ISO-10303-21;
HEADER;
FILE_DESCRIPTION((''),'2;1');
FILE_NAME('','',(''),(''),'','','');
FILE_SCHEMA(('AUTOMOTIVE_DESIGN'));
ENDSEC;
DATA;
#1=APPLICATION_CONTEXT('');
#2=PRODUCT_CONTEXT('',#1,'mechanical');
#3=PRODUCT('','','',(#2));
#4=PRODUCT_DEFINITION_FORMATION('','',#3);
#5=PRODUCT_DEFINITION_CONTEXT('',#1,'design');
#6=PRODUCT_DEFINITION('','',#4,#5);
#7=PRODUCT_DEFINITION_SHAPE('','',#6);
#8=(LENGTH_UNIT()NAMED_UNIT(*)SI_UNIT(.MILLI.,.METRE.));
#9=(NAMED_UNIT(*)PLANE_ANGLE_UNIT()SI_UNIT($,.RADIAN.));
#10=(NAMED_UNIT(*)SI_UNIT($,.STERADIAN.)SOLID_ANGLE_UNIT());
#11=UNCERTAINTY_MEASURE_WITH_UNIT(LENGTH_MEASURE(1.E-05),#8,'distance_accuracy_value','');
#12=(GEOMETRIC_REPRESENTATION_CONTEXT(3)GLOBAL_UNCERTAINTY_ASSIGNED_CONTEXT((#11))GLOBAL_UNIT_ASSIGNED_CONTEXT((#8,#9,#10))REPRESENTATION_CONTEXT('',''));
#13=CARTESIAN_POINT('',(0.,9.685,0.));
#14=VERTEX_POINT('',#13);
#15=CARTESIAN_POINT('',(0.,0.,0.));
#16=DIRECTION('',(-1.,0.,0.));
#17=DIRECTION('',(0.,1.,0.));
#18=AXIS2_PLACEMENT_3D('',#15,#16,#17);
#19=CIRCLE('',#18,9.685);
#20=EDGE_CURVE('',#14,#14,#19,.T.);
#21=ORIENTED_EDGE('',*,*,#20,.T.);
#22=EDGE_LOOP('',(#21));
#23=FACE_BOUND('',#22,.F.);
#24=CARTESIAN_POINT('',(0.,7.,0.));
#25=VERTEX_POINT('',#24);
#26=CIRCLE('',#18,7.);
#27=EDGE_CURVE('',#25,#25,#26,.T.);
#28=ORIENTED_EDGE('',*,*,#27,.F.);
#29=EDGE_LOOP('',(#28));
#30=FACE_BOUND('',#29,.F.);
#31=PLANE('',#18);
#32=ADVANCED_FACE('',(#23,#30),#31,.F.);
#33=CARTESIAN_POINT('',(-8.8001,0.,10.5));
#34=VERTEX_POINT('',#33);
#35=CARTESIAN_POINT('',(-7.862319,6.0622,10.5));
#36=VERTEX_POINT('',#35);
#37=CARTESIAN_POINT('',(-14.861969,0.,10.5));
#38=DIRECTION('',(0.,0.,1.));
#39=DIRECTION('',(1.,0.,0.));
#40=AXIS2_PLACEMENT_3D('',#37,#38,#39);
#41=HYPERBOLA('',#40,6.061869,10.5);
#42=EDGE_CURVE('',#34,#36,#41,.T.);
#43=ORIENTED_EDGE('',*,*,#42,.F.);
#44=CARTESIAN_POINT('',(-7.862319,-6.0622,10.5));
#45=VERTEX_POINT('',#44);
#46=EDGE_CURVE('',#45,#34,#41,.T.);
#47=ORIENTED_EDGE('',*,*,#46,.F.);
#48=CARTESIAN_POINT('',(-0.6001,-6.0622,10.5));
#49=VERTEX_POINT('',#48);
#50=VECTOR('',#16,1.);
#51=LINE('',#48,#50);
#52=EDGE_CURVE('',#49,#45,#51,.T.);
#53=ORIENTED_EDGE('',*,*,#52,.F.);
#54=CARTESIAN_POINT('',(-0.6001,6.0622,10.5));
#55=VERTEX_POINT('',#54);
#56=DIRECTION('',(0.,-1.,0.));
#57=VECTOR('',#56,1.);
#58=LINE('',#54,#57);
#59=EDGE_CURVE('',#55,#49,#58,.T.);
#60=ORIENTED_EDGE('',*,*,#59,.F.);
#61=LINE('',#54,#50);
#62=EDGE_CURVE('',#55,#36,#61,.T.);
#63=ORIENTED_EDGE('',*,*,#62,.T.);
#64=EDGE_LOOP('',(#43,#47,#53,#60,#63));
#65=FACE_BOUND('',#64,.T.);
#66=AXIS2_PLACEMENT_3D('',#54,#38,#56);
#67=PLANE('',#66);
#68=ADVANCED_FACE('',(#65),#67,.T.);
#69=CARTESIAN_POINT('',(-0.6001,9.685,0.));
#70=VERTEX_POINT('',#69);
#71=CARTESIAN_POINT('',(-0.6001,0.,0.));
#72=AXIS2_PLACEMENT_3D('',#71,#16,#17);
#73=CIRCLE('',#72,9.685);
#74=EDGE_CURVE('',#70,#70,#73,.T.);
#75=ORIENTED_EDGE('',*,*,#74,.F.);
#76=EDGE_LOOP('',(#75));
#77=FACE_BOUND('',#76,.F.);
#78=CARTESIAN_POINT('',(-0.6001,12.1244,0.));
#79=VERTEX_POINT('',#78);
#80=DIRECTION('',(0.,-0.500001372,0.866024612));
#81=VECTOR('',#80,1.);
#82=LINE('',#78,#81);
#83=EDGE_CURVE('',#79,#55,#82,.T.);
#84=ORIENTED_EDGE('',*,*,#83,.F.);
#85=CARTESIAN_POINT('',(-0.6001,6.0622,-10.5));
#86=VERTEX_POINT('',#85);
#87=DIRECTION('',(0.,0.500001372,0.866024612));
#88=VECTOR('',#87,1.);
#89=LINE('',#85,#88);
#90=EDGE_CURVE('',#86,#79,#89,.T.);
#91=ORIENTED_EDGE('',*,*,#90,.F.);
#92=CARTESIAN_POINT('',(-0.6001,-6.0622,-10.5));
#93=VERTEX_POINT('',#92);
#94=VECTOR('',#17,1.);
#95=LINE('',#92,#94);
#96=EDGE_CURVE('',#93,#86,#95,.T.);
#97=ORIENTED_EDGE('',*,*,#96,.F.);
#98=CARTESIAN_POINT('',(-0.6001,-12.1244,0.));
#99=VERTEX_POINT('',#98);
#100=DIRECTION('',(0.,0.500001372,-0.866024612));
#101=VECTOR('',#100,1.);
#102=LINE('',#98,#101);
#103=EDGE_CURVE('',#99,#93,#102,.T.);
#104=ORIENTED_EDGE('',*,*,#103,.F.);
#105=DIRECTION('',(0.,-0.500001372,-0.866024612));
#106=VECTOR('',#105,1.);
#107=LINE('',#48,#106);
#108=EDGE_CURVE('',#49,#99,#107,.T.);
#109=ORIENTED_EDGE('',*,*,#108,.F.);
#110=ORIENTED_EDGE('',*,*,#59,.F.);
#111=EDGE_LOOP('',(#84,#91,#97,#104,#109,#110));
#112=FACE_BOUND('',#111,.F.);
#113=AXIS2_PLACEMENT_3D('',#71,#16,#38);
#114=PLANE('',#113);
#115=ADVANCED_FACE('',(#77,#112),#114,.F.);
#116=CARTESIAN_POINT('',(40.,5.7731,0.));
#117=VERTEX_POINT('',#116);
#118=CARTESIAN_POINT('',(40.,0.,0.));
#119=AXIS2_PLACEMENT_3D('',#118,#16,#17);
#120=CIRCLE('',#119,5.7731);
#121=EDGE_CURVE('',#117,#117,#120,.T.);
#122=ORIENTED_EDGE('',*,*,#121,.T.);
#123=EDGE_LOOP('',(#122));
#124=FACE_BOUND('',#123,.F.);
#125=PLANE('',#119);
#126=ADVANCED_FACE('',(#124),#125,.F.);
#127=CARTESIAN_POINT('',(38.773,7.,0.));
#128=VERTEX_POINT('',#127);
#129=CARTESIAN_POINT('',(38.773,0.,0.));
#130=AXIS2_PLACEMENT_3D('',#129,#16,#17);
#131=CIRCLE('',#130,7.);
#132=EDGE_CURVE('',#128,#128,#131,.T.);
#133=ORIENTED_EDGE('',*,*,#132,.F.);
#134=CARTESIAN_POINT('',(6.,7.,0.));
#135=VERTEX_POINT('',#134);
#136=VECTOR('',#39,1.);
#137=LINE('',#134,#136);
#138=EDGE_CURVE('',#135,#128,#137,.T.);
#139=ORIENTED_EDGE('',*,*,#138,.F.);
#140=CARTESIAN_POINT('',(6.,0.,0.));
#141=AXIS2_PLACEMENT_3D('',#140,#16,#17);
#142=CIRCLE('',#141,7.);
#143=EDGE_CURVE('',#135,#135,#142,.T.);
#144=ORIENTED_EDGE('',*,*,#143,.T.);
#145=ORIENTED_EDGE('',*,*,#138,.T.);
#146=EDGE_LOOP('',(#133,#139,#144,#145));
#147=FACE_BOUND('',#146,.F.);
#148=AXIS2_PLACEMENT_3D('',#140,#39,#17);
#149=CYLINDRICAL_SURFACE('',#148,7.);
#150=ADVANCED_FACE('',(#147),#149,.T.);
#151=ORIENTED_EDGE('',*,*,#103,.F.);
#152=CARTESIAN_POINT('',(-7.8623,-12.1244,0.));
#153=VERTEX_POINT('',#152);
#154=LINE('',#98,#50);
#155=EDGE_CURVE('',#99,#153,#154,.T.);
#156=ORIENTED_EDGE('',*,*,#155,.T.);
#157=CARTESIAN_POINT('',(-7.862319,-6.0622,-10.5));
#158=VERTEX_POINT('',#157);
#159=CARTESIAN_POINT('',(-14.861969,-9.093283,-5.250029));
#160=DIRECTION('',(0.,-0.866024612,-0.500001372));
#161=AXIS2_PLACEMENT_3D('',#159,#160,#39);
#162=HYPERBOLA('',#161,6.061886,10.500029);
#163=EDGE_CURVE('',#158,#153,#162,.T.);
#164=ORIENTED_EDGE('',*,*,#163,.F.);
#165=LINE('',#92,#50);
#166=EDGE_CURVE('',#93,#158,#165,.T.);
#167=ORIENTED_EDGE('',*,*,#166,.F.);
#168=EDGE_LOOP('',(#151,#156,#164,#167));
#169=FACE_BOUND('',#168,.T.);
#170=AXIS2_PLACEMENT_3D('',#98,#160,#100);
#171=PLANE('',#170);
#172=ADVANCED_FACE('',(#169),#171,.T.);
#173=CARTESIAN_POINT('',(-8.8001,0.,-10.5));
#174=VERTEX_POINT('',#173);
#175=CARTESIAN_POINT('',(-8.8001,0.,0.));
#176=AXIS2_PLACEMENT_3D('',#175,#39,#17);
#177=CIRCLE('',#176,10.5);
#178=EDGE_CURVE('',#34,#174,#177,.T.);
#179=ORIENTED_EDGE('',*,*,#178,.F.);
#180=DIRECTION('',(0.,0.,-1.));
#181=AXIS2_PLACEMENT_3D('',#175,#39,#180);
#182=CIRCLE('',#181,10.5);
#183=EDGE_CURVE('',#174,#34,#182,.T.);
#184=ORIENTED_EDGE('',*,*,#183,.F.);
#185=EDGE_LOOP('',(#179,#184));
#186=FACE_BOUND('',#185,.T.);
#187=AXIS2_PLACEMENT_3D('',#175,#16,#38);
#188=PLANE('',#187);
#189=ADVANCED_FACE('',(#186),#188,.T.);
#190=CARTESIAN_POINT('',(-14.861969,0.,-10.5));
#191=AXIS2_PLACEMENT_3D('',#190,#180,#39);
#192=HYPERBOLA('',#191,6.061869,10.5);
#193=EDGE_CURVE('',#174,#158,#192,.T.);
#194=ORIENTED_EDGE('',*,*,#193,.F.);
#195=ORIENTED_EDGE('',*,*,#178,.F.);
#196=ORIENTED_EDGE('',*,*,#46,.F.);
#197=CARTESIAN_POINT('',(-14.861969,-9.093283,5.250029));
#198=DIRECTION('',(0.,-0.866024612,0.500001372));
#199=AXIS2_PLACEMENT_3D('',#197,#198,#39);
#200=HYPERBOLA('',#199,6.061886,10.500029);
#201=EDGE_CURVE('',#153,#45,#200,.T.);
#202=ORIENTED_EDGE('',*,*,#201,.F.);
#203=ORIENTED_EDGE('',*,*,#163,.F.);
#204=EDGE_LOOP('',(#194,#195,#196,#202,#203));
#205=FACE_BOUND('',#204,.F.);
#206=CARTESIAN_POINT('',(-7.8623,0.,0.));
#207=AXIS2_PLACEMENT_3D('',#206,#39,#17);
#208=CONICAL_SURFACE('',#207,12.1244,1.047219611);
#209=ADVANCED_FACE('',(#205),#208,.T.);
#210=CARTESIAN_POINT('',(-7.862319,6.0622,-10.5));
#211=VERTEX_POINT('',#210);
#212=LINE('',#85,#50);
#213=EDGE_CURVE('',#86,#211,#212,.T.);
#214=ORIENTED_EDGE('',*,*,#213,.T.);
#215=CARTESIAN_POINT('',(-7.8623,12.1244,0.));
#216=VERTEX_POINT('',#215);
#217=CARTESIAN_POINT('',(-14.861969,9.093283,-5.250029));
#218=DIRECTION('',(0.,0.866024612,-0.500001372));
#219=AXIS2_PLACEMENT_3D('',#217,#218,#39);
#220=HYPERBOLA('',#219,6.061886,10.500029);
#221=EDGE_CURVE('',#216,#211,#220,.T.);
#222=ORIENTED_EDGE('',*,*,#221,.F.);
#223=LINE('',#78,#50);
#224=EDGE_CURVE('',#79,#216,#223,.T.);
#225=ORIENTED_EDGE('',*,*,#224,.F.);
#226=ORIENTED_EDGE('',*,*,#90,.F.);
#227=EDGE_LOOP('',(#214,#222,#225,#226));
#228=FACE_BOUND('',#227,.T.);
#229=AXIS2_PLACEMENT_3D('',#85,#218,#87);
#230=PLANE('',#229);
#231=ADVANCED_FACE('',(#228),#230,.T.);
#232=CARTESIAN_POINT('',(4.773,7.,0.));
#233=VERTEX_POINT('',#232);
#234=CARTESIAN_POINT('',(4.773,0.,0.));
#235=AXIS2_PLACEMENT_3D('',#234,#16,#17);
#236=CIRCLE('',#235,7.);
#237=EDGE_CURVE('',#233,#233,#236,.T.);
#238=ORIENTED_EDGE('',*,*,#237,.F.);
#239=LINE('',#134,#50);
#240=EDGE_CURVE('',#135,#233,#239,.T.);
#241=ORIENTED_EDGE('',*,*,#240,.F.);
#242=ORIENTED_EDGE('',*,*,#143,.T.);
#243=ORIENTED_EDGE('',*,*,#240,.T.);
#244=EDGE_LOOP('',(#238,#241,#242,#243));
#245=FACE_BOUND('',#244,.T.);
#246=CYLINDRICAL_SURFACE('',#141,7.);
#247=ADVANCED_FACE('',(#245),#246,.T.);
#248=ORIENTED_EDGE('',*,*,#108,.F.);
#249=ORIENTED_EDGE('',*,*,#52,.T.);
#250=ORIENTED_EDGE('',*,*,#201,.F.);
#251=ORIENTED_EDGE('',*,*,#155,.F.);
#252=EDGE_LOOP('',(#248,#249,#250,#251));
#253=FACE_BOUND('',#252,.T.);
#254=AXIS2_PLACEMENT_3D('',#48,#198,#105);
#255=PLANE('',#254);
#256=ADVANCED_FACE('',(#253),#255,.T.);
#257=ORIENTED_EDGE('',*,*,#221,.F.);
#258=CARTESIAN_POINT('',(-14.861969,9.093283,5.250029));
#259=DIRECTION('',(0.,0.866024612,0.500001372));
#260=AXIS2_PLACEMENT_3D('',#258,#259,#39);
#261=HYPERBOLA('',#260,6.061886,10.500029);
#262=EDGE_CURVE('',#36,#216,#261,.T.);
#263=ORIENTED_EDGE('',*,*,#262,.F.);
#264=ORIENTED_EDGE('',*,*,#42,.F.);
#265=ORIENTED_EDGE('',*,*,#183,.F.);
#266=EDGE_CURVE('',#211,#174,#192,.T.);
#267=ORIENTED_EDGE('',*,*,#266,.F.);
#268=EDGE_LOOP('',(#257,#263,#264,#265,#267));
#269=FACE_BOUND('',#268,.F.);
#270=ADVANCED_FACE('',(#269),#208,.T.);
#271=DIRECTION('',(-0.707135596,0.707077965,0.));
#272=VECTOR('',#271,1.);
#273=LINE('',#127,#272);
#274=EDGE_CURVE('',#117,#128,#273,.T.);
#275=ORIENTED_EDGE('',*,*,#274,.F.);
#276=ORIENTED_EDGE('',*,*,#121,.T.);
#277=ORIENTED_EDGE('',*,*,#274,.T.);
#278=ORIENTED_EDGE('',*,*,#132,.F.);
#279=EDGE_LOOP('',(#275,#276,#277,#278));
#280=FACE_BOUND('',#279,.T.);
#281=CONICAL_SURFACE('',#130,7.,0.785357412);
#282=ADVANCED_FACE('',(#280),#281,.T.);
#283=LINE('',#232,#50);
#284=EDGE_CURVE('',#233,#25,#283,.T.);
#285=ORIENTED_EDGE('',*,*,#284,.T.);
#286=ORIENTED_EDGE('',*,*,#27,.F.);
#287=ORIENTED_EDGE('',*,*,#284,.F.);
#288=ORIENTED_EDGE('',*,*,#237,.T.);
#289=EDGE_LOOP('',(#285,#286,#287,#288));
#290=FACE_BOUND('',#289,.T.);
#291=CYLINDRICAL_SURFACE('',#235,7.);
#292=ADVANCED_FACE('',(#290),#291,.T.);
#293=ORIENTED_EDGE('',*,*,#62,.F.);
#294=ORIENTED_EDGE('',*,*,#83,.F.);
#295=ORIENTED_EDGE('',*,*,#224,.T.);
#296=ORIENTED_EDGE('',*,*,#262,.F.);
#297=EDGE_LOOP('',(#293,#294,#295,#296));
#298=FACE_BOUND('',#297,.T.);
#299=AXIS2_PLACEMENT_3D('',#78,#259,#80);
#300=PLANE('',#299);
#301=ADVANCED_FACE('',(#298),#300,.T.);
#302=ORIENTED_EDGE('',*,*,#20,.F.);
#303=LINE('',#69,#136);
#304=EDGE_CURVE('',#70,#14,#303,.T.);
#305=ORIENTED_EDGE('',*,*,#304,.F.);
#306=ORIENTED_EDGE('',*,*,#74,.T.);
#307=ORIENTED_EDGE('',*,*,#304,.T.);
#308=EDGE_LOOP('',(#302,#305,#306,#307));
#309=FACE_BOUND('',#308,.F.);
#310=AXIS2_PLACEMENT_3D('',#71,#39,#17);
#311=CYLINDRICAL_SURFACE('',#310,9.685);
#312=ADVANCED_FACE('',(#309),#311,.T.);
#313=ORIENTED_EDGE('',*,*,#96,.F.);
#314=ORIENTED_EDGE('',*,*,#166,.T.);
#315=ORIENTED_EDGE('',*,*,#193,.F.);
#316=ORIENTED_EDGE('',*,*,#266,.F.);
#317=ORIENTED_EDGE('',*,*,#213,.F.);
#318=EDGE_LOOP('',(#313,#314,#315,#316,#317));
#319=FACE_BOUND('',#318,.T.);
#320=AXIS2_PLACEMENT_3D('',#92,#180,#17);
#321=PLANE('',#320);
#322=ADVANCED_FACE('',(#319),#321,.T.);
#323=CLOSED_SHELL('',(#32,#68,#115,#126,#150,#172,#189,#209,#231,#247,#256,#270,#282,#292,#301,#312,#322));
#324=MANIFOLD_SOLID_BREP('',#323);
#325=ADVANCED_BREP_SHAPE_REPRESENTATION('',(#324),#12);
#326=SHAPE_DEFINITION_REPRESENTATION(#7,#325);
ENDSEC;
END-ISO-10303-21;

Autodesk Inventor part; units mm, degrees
ref_plane "YZ Plane" through (0, 0, 0) normal (1, 0, 0) x (0, 1, 0)
ref_plane "XZ Plane" through (0, 0, 0) normal (0, 1, 0) x (-1, 0, 0)
sketch "Sketch1" plane through (0, 0, 0) normal (0, 0, 1) x (1, 0, 0)
  line L0 (0, 9.685) -> (0, 7)
  line L1 (6, 7) -> (40, 7)
  line L2 (40, 7) -> (40, 0)
  line L3 (40, 0) -> (-0.6001, 0)
  line L4 (-8.7201, 0) -> (48.12, 0) projected
  line L5 (-0.6001, 0) -> (-0.6001, 9.685)
  line L6 (-0.6001, 9.685) -> (0, 9.685)
  line L7 (6, 7) -> (4.773, 7)
  line L8 (4.773, 7) -> (0, 7)
  line L9 (0, -1.937) -> (0, 11.622) projected
  dimension "d0" = 40
  dimension "d1" = 34
  dimension "d2" = 14
  dimension "d9" = 0.6001
  dimension "d10" = 19.37
  dimension "d13" = 1.227
  dimension "d14" = 14
revolve "Body" add sketch "Sketch1" angle 360 about axis through (40, 0, 0) along (-1, 0, 0)
sketch "Sketch2" plane through (-0.6001, 0, 0) normal (-1, 0, 0) x (0, 0, 1)
  line L0 (0, 12.1244) -> (10.5, 6.0622)
  line L1 (10.5, 6.0622) -> (10.5, -6.0622)
  line L2 (10.5, -6.0622) -> (0, -12.1244)
  line L3 (0, -12.1244) -> (-10.5, -6.0622)
  line L4 (-10.5, -6.0622) -> (-10.5, 6.0622)
  line L5 (-10.5, 6.0622) -> (0, 12.1244)
  point P0 (0, 0)
  point P1 (0, 0)
  dimension "d11" = 21
extrude "Head" add sketch "Sketch2" along normal blind 8.2
sketch "Sketch4" plane through (0, 0, 0) normal (0, 0, 1) x (1, 0, 0)
  line L0 (-8.8001, 10.5) -> (-8.8001, 12.1244)
  line L1 (-8.8001, 12.1244) -> (-7.8623, 12.1244)
  line L2 (-7.8623, 12.1244) -> (-8.8001, 10.5)
  line L3 (-10.4401, 0) -> (1.0399, 0) projected
  line L4 (-0.6001, 12.1244) -> (-8.8001, 12.1244) projected
  line L5 (-8.8001, 6.0622) -> (-8.8001, 12.1244) projected
  dimension "d5" = 30
  dimension "d19" = 21
revolve "Chamfer1" cut sketch "Sketch4" angle 360 about axis through (-10, 0, 0) along (1, 0, 0)
thread "Thread" size "M14x2" class "6g" standard "ISO Metric profile" length 34
chamfer "Chamfer2" distance 1.2269 distance2 1.227 1 edges at (40, -7, 0) measured on face at (40, -2.1676, 1.9203)
ref_plane "Work Plane1" through (1.525, 0, 0) normal (0, 0, 1) x (1, 0, 0)
equation "\"d0\" = NLG"
equation "\"d1\" = GEL"
equation "\"d2\" = GD"
equation "\"d10\" = SD2"
equation "\"d14\" = BDM"
equation "\"d11\" = SW"
equation "\"d3\" = KOH - SD"
equation "\"d5\" = ANG1"
equation "\"d19\" = SW0"
equation "\"d15\" = GEL"
equation "\"d6\" = -0.5 * SPD + 0.5 * GD"
equation "\"NLG\" = 40"
equation "\"GD\" = NND"
equation "\"BDM\" = NND"
equation "\"KOH\" = 8.8"
equation "\"GEL\" = 34"
equation "\"SW\" = 21"
equation "\"SW0\" = SW"
equation "\"SPD\" = NND - 1.2269 * PTC"
equation "\"SD2\" = 19.37"
equation "\"SD\" = 0.6"
equation "\"ANG1\" = 30deg"
equation "\"GAL\" = 0.61345 * PTC"
equation "\"GUL\" = 0.61345 * PTC"
equation "\"RR\" = 0.6"
equation "\"GD1\" = THREADDIA - 1.2269 * PTC"
equation "\"THREADDIA\" = 14"
equation "\"SDH\" = SD2"
equation "\"SDHG\" = 6"
equation "\"TOA\" = 30deg"
equation "\"PTC\" = 2"
equation "\"NND\" = 14"
equation "\"E0\" = 24.255"
properties part number "ISO 4017 - M14 x 40" material "Stainless Steel, 440C"
